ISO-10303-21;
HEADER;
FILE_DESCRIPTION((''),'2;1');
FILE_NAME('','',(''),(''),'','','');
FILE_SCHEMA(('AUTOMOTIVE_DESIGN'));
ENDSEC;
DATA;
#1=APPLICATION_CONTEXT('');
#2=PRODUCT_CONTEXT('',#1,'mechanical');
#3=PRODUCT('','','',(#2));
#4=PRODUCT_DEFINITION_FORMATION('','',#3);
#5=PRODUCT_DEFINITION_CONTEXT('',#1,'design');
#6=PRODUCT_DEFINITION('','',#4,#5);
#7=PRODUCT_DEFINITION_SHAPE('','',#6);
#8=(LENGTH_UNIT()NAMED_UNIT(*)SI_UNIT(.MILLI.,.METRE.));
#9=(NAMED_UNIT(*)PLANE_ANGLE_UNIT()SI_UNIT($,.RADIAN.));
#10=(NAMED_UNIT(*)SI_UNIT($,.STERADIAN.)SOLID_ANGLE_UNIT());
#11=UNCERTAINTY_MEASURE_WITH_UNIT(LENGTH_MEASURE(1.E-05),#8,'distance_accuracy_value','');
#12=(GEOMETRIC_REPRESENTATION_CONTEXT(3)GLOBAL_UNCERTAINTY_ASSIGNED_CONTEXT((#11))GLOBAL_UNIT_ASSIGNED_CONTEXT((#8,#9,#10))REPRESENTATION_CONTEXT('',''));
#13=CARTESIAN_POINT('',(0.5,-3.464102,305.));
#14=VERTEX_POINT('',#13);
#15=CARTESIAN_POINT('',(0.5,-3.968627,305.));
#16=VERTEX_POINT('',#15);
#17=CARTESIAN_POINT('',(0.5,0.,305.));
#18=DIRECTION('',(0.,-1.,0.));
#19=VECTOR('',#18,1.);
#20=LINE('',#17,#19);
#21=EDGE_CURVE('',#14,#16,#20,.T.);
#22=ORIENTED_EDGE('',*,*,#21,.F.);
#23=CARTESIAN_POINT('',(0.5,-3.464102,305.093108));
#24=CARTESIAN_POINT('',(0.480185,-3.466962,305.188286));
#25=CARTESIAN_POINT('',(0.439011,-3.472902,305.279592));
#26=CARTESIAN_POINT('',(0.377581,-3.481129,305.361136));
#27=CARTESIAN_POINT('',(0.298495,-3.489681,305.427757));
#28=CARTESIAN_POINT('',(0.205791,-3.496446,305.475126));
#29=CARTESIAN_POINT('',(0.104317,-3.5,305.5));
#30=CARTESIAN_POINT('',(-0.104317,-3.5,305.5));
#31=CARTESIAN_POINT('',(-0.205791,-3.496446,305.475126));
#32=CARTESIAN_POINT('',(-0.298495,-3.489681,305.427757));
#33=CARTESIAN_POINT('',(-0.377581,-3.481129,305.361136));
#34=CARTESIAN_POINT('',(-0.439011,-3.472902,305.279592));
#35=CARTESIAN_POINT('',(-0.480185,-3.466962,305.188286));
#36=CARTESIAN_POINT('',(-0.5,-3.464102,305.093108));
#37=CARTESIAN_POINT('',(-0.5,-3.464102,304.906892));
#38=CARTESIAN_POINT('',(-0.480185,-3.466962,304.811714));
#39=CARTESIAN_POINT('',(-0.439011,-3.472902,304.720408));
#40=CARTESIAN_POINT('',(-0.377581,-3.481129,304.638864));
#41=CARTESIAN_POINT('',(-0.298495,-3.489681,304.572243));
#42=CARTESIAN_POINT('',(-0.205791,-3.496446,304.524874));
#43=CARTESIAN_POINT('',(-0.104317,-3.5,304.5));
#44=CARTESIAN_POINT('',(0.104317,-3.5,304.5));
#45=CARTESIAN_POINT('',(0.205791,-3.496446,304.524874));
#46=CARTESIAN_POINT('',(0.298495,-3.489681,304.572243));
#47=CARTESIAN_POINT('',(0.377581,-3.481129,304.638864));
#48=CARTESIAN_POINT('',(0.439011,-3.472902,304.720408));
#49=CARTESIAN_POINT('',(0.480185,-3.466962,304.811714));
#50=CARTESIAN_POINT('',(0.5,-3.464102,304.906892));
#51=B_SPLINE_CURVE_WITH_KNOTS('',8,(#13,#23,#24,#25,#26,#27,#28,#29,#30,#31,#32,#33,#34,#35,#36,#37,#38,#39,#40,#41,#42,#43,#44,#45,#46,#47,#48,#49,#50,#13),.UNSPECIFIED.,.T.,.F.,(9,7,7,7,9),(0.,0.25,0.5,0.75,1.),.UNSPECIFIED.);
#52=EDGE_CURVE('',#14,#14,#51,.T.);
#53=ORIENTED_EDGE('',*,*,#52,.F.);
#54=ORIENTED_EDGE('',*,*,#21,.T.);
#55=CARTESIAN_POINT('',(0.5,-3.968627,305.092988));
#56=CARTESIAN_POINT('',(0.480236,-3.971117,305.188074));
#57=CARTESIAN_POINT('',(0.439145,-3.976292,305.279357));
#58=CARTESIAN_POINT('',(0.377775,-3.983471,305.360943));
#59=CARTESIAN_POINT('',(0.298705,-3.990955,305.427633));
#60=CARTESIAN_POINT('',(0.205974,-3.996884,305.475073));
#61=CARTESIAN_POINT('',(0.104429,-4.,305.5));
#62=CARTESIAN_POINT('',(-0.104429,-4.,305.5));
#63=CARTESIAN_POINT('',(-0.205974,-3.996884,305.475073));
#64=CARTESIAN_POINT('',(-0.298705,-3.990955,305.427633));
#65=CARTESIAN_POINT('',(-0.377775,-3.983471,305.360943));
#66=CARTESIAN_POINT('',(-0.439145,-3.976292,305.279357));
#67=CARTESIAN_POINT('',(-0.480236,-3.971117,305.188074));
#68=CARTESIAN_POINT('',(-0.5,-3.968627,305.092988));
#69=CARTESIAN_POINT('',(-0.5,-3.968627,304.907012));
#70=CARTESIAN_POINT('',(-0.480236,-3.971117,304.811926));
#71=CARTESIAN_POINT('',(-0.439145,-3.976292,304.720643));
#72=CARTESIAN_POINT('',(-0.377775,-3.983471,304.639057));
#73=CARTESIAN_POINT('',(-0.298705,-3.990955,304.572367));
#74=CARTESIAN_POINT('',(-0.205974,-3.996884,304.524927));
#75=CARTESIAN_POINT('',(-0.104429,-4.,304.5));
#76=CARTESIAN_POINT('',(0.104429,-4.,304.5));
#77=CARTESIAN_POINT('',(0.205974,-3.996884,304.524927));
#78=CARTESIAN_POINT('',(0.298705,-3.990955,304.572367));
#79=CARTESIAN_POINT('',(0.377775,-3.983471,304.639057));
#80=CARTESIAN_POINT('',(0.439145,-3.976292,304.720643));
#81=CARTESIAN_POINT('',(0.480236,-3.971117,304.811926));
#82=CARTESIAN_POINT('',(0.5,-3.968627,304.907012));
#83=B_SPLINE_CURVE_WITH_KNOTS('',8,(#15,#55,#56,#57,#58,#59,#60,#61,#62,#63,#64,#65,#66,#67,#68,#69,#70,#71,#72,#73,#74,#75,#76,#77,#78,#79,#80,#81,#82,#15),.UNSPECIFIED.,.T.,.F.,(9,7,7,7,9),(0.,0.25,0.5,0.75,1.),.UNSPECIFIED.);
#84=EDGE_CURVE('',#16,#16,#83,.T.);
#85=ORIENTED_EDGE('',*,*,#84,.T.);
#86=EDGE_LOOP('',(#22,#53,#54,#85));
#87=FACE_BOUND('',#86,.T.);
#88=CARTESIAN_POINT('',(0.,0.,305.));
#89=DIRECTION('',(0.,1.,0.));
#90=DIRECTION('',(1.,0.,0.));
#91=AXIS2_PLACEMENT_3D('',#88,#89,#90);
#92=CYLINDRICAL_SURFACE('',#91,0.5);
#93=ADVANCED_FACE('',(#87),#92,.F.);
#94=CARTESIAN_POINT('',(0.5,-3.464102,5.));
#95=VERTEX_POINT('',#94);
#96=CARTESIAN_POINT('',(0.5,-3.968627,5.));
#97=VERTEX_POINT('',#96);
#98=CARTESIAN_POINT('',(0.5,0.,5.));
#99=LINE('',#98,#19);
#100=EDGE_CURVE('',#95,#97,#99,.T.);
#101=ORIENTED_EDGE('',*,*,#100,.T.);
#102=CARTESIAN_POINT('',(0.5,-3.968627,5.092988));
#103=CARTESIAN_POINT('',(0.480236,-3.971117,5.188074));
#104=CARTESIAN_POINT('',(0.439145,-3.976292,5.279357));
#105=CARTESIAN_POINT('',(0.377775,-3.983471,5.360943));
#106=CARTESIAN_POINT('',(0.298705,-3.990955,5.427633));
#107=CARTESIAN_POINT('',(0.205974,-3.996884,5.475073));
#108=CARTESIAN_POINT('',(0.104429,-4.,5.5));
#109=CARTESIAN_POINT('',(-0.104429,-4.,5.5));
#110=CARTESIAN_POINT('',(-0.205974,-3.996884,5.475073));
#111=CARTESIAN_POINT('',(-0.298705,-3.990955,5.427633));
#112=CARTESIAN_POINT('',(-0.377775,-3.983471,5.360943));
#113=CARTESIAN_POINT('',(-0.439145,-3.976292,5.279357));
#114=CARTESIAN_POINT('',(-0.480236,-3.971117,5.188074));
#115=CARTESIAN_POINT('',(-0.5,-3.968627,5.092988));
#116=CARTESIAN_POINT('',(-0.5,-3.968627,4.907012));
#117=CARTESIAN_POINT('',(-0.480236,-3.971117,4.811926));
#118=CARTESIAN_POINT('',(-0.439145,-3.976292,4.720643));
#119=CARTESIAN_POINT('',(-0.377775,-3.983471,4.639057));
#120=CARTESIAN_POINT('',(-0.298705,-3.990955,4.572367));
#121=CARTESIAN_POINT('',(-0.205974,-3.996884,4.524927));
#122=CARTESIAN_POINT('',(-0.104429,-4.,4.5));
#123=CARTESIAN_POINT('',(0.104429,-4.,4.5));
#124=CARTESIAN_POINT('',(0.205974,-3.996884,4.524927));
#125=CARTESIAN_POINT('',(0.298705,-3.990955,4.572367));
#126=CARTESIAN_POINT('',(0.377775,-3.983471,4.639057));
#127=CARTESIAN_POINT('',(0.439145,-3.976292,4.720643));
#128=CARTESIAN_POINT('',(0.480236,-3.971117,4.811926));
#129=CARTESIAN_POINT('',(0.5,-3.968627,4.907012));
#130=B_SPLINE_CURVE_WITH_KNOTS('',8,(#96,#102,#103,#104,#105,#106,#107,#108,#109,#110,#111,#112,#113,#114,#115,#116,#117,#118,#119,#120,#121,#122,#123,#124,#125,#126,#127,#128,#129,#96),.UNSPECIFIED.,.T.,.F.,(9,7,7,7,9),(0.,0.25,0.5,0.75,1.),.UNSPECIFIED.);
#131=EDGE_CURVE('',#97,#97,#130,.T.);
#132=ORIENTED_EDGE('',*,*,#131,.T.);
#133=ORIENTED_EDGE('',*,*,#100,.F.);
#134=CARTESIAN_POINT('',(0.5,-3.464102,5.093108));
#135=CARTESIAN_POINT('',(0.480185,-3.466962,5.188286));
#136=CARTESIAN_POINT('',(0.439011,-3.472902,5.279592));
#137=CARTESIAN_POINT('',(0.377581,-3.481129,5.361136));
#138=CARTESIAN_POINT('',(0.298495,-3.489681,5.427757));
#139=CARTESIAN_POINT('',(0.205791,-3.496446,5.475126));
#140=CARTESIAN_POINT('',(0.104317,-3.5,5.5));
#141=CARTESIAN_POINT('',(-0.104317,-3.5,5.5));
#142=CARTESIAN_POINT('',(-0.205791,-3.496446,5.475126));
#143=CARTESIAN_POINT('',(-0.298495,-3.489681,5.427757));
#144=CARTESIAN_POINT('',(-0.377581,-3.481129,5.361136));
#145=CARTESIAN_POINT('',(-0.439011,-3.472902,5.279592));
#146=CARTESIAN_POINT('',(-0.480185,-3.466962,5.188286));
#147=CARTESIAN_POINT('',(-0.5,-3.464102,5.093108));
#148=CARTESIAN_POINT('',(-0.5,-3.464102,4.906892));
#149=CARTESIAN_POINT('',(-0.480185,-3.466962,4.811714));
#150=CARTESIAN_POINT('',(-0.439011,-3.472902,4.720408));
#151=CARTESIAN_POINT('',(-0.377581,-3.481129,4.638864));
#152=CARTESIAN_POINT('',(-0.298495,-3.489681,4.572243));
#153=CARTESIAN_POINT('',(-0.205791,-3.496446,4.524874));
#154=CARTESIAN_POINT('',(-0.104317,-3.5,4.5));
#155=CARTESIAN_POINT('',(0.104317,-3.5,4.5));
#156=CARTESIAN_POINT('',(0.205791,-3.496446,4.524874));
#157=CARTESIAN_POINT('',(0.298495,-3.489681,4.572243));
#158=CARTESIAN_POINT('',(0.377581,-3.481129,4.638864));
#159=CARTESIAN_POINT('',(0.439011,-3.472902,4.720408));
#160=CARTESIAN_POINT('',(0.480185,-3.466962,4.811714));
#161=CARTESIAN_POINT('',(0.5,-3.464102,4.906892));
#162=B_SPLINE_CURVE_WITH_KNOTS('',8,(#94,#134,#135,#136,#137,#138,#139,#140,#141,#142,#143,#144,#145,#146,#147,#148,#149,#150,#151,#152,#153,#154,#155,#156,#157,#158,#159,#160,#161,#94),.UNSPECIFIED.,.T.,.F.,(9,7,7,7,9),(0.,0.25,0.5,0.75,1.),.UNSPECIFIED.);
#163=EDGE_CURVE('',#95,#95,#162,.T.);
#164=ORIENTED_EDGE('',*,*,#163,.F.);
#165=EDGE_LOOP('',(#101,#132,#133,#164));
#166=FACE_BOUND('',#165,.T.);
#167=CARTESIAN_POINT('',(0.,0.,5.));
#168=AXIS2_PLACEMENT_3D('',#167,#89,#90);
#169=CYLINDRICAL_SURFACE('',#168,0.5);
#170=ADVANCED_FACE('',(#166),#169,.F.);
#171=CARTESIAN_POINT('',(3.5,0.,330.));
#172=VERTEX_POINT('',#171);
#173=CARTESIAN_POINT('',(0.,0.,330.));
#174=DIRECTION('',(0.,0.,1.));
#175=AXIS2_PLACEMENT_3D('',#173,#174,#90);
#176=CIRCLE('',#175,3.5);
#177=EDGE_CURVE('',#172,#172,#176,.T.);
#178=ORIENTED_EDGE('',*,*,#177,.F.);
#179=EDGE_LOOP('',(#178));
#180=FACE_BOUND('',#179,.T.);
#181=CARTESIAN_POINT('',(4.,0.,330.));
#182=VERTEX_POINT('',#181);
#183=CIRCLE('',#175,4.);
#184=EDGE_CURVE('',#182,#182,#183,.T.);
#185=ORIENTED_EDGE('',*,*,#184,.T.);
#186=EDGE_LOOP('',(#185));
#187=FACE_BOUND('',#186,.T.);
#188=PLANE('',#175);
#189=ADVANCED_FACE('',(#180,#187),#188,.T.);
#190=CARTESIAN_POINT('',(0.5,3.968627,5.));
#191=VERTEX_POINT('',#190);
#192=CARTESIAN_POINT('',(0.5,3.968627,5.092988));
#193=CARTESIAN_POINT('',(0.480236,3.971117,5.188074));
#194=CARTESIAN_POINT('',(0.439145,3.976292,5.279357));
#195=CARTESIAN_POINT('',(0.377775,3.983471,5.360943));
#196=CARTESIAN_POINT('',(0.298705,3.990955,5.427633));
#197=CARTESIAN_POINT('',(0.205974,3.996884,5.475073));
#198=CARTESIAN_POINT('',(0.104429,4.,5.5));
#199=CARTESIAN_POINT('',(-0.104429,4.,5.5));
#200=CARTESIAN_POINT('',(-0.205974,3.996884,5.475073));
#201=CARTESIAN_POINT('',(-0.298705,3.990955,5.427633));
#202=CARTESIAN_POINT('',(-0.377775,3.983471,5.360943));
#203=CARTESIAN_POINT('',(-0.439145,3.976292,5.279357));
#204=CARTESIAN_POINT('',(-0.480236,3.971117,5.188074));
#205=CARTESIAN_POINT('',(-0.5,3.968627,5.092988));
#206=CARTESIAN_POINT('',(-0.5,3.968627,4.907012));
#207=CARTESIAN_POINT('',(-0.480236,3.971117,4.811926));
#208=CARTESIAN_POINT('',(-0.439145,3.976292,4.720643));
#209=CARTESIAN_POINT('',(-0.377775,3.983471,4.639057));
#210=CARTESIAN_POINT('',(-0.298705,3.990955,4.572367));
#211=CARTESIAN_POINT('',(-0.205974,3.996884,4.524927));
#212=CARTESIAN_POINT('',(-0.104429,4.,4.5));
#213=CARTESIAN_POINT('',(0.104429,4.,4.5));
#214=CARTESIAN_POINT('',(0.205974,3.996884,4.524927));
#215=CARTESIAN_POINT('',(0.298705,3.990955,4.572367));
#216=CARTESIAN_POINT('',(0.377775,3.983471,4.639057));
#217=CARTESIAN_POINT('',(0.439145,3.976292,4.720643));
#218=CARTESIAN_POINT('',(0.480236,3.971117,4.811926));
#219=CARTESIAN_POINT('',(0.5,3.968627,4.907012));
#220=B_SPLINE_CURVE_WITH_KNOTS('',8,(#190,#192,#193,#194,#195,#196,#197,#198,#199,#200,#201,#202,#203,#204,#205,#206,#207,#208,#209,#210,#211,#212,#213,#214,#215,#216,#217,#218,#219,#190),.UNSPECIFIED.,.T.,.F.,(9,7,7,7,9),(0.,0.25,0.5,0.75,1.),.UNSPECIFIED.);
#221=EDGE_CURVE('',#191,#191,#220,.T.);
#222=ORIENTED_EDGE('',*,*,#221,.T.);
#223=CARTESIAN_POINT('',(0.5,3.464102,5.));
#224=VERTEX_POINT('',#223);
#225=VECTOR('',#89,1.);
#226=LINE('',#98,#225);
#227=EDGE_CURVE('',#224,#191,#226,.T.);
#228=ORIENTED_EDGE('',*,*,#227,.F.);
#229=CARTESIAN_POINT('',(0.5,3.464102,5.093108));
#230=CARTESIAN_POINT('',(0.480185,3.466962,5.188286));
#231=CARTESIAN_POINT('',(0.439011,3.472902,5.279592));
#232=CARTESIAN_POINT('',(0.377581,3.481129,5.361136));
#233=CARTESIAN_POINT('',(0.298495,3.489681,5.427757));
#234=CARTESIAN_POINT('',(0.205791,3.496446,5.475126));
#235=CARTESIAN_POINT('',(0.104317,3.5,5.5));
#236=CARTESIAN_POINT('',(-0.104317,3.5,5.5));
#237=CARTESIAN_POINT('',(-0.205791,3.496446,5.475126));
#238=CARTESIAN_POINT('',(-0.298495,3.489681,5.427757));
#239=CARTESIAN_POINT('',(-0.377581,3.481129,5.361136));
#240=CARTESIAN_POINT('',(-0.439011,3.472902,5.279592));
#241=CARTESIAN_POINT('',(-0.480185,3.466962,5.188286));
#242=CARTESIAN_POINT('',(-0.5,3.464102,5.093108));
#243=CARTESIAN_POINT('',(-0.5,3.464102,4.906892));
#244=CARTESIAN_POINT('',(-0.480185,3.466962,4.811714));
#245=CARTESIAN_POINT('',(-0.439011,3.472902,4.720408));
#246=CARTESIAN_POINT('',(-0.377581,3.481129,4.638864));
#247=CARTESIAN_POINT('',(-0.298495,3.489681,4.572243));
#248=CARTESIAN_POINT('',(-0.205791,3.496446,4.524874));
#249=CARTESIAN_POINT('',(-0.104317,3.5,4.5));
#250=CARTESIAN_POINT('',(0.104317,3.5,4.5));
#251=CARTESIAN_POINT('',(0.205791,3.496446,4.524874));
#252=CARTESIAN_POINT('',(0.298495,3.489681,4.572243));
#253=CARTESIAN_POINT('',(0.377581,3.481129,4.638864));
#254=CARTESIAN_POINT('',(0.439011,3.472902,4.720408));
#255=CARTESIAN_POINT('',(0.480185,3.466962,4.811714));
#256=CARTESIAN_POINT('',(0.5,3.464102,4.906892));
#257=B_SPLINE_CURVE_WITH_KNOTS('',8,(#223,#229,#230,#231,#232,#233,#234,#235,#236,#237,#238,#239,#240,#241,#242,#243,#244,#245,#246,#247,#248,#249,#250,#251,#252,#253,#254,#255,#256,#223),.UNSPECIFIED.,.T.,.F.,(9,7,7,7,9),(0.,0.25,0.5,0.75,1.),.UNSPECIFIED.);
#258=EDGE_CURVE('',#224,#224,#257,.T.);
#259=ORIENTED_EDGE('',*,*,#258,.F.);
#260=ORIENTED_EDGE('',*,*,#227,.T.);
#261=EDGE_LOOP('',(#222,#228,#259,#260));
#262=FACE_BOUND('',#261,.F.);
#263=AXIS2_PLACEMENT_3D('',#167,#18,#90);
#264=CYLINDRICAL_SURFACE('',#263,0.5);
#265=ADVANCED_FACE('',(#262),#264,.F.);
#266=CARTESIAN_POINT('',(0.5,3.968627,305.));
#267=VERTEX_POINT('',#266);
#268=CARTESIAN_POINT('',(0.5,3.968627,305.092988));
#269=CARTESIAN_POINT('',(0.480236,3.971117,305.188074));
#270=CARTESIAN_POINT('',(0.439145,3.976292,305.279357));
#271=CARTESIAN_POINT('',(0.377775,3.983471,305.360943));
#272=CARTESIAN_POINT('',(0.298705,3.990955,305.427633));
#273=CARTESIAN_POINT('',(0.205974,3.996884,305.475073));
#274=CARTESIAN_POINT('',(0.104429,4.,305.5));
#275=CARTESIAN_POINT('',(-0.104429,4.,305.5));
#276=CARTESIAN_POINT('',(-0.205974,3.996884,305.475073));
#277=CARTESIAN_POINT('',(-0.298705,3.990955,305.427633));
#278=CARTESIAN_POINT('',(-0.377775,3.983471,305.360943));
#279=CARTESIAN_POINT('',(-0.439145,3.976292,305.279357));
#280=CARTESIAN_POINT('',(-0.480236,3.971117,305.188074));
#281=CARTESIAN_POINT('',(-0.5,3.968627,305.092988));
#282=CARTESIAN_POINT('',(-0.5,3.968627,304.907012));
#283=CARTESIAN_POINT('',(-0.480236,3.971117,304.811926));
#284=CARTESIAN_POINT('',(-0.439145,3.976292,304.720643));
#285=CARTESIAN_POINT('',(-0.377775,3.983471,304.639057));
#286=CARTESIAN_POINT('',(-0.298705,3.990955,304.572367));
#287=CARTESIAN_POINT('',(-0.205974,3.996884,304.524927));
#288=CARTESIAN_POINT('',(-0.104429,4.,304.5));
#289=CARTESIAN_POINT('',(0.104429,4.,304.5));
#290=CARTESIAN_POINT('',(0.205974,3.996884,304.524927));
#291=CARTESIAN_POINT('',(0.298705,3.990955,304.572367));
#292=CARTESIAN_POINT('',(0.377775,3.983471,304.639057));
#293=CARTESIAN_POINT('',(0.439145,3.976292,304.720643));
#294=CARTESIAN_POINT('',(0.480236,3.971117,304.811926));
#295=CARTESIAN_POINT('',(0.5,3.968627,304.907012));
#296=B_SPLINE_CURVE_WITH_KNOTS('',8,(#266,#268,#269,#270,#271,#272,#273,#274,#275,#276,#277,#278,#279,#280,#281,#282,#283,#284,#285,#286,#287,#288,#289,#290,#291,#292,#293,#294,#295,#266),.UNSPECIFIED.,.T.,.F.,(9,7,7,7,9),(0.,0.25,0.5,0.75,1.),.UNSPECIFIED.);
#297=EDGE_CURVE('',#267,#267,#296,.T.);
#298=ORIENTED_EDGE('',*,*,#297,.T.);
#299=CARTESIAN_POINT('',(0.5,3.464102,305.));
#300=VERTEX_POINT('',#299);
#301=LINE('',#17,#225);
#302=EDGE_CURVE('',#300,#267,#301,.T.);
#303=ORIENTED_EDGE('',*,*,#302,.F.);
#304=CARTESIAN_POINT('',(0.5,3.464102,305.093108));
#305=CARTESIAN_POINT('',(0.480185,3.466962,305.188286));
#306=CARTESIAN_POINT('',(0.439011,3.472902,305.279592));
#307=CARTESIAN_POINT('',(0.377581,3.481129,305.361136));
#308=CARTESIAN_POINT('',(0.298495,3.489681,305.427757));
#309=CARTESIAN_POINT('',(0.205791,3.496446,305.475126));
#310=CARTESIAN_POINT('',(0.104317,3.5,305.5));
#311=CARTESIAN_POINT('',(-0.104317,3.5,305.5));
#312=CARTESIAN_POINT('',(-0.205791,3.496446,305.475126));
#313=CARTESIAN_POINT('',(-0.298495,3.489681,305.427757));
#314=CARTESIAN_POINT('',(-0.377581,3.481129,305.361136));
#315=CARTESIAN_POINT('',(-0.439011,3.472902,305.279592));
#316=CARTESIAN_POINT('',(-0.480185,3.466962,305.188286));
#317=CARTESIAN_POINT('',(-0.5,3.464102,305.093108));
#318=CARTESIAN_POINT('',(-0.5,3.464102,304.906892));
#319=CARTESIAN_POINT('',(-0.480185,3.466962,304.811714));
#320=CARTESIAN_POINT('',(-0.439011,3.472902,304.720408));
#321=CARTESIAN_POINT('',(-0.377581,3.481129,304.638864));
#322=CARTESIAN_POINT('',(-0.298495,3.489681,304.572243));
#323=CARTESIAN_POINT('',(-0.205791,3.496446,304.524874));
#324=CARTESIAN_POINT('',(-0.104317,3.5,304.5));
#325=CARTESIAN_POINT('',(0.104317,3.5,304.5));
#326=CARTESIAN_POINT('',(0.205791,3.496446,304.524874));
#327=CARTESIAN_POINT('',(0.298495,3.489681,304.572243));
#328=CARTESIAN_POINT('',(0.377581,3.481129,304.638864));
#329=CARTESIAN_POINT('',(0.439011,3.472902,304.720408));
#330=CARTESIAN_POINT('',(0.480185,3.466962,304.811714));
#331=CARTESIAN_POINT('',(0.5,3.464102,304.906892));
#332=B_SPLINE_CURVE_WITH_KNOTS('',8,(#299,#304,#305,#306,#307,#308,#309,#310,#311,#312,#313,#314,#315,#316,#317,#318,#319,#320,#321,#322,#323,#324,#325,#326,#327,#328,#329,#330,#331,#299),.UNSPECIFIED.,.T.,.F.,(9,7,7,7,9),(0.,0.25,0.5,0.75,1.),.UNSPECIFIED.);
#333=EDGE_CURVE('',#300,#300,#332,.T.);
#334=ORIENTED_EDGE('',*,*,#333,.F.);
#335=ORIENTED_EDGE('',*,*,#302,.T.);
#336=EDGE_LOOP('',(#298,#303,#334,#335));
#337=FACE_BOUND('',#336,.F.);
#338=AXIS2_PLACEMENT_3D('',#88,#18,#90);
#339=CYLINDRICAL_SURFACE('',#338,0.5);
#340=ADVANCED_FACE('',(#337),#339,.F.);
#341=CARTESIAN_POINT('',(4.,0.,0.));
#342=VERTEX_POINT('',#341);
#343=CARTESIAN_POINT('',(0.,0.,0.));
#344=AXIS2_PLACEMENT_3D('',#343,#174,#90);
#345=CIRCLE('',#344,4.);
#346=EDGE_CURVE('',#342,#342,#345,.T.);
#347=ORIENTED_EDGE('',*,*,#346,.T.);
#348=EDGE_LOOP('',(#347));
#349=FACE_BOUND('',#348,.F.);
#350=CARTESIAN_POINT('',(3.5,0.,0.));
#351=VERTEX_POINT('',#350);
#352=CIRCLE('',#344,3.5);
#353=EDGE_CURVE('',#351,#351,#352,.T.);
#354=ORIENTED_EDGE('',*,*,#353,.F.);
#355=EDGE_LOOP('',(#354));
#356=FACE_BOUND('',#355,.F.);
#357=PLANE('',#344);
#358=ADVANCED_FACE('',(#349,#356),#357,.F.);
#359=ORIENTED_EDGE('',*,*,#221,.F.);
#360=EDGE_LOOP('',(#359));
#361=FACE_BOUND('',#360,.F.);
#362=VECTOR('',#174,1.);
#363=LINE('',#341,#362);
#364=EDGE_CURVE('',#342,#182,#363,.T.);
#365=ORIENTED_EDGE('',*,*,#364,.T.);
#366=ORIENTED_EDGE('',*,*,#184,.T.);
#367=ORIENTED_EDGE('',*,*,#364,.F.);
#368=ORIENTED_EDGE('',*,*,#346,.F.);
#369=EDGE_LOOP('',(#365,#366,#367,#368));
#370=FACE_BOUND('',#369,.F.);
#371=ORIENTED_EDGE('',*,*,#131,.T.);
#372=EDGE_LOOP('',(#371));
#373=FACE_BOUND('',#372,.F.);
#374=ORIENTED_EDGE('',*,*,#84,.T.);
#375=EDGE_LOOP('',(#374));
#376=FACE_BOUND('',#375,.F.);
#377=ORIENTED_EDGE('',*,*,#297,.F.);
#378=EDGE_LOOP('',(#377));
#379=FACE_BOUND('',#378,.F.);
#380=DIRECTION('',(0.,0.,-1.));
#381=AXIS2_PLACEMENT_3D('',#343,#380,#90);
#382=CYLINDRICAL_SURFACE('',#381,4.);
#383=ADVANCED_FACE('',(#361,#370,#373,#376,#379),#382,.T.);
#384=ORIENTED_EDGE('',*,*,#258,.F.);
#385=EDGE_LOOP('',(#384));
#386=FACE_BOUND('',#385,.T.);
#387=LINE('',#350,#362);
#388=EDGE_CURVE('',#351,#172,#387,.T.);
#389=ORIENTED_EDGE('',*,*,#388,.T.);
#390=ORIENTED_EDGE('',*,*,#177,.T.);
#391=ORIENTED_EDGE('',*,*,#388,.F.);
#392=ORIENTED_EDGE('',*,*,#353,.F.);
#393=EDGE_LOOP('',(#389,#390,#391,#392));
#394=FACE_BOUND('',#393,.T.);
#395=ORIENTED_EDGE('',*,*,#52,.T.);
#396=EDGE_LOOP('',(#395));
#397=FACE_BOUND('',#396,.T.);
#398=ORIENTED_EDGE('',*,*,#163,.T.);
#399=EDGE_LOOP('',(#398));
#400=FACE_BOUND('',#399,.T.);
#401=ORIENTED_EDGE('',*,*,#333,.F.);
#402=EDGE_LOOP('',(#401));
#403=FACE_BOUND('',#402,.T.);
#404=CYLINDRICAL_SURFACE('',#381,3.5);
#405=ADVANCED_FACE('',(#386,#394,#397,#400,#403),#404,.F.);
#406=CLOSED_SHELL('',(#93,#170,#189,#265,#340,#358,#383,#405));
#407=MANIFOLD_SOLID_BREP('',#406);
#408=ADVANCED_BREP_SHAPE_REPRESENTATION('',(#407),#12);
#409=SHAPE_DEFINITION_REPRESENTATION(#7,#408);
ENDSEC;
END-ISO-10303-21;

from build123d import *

# Parameters (mm, degrees)
F0_R          = 4
F0_R_2        = 3.5
F1_DEPTH      = 330
F2_R          = 0.5
F3_DEPTH      = 4.001
F3_DEPTH_BACK = 25


with BuildPart() as f1:
    # F0 (on Top) → F1 (new body)
    with BuildSketch(Plane.XY):
        Circle(F0_R)
        Circle(F0_R_2, mode=Mode.SUBTRACT)
    extrude(amount=F1_DEPTH)

    # F2 (on Front) → F3 (cut, two sides)
    with BuildSketch(Plane.XZ) as f3_sk:
        with Locations((0, 5)):
            Circle(F2_R)
        with Locations((0, 305)):
            Circle(F2_R)
    extrude(amount=-F3_DEPTH, mode=Mode.SUBTRACT)
    extrude(f3_sk.sketch, amount=F3_DEPTH_BACK, mode=Mode.SUBTRACT)


solid = f1.part
